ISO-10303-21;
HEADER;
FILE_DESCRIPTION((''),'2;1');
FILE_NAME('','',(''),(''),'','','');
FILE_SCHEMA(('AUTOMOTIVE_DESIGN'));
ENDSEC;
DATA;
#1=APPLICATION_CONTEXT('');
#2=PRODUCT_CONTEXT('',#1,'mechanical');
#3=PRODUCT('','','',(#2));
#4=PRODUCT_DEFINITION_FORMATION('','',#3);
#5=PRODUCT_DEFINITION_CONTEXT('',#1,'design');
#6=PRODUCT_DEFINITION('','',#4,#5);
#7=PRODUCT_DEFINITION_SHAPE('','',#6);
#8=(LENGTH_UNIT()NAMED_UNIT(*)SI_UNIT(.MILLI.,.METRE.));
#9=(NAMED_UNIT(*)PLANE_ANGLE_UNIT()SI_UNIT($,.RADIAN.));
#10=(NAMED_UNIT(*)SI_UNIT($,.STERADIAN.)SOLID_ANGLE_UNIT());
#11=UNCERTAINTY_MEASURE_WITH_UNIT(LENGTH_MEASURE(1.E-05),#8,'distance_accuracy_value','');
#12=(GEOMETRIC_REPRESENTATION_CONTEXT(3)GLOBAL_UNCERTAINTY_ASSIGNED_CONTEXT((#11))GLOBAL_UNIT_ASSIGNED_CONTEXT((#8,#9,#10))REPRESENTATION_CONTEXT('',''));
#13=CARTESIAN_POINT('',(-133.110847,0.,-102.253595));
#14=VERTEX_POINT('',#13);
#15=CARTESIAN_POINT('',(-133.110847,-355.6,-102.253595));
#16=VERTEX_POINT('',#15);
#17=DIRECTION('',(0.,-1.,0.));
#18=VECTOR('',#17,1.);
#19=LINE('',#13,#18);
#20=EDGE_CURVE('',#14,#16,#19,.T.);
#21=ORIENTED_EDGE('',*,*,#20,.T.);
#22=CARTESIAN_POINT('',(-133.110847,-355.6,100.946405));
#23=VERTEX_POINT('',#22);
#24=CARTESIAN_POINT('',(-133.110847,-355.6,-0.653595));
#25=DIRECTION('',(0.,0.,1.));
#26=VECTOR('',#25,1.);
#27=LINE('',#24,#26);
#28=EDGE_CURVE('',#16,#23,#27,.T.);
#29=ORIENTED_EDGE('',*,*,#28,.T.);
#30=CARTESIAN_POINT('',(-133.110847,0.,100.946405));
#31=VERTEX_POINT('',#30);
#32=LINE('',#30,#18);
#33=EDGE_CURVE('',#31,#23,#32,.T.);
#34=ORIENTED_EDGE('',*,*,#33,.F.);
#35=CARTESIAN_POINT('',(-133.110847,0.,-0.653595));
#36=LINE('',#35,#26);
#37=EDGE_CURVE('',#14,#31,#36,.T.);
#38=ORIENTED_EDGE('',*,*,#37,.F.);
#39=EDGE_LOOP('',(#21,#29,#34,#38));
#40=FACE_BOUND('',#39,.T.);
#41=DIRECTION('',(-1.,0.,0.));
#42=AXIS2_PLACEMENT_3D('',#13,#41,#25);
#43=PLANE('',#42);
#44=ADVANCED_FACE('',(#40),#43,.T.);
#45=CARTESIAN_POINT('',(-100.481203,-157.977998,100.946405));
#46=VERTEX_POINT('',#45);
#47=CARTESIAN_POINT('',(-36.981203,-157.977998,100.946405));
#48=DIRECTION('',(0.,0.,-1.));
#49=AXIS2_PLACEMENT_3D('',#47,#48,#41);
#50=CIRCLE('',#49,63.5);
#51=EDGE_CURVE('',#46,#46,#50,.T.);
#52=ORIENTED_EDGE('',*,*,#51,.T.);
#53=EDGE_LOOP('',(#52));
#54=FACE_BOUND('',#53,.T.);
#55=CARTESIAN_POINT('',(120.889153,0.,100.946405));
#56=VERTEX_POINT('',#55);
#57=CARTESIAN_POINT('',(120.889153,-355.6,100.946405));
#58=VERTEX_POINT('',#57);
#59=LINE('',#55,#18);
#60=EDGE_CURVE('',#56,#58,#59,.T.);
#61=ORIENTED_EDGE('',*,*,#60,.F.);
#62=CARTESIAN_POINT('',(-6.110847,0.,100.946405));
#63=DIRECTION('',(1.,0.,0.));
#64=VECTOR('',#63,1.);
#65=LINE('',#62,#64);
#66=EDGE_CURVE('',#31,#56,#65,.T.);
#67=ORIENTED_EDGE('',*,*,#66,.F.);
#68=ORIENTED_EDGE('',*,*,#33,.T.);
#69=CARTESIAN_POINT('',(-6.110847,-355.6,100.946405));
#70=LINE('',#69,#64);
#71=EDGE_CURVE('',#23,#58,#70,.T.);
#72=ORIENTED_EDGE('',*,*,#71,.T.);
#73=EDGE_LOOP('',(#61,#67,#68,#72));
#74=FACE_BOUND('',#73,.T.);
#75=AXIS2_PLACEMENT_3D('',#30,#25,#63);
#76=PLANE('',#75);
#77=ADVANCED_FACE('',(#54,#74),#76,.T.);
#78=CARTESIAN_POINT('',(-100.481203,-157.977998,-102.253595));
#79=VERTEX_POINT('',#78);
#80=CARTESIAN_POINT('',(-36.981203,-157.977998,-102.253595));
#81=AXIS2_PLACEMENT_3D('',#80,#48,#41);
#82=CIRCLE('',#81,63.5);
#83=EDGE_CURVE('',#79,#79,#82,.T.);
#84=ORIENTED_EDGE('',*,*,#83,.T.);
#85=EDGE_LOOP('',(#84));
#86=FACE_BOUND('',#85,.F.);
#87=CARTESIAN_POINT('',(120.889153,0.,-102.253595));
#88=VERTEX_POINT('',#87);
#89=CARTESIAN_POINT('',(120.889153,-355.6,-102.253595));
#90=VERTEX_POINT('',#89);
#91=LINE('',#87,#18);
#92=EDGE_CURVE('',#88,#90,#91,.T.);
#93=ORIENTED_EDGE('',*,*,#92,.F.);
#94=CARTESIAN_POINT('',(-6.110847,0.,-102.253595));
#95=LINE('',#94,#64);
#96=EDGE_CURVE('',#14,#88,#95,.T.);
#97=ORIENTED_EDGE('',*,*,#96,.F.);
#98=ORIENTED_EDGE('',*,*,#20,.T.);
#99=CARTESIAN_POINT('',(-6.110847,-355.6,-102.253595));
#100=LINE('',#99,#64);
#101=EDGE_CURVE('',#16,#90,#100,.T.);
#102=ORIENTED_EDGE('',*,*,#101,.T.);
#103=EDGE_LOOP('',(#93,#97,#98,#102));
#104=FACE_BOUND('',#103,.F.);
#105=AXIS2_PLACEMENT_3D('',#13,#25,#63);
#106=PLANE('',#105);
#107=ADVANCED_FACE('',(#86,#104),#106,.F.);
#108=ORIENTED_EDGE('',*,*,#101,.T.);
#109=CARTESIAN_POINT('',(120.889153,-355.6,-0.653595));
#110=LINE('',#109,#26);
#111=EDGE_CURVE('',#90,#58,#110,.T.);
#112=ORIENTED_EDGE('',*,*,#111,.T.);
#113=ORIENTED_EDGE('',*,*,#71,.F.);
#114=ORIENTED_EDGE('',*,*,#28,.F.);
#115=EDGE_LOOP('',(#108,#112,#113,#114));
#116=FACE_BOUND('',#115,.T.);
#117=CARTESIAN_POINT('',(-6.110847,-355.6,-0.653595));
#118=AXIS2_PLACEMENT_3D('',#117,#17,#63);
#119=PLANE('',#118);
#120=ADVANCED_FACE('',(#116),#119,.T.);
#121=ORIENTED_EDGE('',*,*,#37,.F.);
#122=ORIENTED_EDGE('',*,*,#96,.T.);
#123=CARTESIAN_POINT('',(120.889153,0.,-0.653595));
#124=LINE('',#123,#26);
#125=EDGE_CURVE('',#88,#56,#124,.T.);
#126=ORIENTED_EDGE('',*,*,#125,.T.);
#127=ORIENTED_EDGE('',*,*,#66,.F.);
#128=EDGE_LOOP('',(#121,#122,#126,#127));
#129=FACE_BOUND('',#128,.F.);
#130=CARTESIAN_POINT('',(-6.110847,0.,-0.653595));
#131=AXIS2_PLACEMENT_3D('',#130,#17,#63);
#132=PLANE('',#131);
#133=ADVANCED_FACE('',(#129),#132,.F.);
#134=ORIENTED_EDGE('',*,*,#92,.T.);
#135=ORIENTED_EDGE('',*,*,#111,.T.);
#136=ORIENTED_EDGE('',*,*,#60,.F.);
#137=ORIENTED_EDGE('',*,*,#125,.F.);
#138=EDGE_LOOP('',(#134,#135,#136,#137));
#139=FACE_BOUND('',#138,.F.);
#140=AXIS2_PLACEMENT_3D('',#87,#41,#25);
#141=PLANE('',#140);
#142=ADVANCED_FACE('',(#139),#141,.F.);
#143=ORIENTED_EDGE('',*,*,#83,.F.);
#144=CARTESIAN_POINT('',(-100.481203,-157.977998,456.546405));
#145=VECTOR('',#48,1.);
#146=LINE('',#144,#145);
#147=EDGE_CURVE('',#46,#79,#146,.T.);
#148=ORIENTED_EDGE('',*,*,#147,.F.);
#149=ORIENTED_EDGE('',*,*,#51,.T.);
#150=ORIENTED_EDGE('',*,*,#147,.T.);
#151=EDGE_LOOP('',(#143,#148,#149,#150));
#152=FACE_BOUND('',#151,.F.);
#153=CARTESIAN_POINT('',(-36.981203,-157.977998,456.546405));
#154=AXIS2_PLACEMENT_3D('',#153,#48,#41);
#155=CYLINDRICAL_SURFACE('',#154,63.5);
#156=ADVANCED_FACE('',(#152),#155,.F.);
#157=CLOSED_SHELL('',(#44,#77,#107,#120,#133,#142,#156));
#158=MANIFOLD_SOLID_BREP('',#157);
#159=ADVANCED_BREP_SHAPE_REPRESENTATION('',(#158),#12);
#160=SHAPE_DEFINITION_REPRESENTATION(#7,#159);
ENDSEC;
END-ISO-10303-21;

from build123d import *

# Parameters (mm, degrees)
F0_W     = 254
F0_H     = 203.2
F1_DEPTH = 355.6
F3_D     = 127
F3_DEPTH = 355.6


with BuildPart() as f1:
    # F0 (on Front) → F1 (new body)
    with BuildSketch(Plane.XZ):
        with Locations((-6.110847, -0.653595)):
            Rectangle(F0_W, F0_H)
    extrude(amount=F1_DEPTH)

    # F3
    with Locations(Plane.XY.offset(100.946405)):
        with Locations((-36.981203, -157.977998)):
            Hole(F3_D / 2, depth=F3_DEPTH)


solid = f1.part
